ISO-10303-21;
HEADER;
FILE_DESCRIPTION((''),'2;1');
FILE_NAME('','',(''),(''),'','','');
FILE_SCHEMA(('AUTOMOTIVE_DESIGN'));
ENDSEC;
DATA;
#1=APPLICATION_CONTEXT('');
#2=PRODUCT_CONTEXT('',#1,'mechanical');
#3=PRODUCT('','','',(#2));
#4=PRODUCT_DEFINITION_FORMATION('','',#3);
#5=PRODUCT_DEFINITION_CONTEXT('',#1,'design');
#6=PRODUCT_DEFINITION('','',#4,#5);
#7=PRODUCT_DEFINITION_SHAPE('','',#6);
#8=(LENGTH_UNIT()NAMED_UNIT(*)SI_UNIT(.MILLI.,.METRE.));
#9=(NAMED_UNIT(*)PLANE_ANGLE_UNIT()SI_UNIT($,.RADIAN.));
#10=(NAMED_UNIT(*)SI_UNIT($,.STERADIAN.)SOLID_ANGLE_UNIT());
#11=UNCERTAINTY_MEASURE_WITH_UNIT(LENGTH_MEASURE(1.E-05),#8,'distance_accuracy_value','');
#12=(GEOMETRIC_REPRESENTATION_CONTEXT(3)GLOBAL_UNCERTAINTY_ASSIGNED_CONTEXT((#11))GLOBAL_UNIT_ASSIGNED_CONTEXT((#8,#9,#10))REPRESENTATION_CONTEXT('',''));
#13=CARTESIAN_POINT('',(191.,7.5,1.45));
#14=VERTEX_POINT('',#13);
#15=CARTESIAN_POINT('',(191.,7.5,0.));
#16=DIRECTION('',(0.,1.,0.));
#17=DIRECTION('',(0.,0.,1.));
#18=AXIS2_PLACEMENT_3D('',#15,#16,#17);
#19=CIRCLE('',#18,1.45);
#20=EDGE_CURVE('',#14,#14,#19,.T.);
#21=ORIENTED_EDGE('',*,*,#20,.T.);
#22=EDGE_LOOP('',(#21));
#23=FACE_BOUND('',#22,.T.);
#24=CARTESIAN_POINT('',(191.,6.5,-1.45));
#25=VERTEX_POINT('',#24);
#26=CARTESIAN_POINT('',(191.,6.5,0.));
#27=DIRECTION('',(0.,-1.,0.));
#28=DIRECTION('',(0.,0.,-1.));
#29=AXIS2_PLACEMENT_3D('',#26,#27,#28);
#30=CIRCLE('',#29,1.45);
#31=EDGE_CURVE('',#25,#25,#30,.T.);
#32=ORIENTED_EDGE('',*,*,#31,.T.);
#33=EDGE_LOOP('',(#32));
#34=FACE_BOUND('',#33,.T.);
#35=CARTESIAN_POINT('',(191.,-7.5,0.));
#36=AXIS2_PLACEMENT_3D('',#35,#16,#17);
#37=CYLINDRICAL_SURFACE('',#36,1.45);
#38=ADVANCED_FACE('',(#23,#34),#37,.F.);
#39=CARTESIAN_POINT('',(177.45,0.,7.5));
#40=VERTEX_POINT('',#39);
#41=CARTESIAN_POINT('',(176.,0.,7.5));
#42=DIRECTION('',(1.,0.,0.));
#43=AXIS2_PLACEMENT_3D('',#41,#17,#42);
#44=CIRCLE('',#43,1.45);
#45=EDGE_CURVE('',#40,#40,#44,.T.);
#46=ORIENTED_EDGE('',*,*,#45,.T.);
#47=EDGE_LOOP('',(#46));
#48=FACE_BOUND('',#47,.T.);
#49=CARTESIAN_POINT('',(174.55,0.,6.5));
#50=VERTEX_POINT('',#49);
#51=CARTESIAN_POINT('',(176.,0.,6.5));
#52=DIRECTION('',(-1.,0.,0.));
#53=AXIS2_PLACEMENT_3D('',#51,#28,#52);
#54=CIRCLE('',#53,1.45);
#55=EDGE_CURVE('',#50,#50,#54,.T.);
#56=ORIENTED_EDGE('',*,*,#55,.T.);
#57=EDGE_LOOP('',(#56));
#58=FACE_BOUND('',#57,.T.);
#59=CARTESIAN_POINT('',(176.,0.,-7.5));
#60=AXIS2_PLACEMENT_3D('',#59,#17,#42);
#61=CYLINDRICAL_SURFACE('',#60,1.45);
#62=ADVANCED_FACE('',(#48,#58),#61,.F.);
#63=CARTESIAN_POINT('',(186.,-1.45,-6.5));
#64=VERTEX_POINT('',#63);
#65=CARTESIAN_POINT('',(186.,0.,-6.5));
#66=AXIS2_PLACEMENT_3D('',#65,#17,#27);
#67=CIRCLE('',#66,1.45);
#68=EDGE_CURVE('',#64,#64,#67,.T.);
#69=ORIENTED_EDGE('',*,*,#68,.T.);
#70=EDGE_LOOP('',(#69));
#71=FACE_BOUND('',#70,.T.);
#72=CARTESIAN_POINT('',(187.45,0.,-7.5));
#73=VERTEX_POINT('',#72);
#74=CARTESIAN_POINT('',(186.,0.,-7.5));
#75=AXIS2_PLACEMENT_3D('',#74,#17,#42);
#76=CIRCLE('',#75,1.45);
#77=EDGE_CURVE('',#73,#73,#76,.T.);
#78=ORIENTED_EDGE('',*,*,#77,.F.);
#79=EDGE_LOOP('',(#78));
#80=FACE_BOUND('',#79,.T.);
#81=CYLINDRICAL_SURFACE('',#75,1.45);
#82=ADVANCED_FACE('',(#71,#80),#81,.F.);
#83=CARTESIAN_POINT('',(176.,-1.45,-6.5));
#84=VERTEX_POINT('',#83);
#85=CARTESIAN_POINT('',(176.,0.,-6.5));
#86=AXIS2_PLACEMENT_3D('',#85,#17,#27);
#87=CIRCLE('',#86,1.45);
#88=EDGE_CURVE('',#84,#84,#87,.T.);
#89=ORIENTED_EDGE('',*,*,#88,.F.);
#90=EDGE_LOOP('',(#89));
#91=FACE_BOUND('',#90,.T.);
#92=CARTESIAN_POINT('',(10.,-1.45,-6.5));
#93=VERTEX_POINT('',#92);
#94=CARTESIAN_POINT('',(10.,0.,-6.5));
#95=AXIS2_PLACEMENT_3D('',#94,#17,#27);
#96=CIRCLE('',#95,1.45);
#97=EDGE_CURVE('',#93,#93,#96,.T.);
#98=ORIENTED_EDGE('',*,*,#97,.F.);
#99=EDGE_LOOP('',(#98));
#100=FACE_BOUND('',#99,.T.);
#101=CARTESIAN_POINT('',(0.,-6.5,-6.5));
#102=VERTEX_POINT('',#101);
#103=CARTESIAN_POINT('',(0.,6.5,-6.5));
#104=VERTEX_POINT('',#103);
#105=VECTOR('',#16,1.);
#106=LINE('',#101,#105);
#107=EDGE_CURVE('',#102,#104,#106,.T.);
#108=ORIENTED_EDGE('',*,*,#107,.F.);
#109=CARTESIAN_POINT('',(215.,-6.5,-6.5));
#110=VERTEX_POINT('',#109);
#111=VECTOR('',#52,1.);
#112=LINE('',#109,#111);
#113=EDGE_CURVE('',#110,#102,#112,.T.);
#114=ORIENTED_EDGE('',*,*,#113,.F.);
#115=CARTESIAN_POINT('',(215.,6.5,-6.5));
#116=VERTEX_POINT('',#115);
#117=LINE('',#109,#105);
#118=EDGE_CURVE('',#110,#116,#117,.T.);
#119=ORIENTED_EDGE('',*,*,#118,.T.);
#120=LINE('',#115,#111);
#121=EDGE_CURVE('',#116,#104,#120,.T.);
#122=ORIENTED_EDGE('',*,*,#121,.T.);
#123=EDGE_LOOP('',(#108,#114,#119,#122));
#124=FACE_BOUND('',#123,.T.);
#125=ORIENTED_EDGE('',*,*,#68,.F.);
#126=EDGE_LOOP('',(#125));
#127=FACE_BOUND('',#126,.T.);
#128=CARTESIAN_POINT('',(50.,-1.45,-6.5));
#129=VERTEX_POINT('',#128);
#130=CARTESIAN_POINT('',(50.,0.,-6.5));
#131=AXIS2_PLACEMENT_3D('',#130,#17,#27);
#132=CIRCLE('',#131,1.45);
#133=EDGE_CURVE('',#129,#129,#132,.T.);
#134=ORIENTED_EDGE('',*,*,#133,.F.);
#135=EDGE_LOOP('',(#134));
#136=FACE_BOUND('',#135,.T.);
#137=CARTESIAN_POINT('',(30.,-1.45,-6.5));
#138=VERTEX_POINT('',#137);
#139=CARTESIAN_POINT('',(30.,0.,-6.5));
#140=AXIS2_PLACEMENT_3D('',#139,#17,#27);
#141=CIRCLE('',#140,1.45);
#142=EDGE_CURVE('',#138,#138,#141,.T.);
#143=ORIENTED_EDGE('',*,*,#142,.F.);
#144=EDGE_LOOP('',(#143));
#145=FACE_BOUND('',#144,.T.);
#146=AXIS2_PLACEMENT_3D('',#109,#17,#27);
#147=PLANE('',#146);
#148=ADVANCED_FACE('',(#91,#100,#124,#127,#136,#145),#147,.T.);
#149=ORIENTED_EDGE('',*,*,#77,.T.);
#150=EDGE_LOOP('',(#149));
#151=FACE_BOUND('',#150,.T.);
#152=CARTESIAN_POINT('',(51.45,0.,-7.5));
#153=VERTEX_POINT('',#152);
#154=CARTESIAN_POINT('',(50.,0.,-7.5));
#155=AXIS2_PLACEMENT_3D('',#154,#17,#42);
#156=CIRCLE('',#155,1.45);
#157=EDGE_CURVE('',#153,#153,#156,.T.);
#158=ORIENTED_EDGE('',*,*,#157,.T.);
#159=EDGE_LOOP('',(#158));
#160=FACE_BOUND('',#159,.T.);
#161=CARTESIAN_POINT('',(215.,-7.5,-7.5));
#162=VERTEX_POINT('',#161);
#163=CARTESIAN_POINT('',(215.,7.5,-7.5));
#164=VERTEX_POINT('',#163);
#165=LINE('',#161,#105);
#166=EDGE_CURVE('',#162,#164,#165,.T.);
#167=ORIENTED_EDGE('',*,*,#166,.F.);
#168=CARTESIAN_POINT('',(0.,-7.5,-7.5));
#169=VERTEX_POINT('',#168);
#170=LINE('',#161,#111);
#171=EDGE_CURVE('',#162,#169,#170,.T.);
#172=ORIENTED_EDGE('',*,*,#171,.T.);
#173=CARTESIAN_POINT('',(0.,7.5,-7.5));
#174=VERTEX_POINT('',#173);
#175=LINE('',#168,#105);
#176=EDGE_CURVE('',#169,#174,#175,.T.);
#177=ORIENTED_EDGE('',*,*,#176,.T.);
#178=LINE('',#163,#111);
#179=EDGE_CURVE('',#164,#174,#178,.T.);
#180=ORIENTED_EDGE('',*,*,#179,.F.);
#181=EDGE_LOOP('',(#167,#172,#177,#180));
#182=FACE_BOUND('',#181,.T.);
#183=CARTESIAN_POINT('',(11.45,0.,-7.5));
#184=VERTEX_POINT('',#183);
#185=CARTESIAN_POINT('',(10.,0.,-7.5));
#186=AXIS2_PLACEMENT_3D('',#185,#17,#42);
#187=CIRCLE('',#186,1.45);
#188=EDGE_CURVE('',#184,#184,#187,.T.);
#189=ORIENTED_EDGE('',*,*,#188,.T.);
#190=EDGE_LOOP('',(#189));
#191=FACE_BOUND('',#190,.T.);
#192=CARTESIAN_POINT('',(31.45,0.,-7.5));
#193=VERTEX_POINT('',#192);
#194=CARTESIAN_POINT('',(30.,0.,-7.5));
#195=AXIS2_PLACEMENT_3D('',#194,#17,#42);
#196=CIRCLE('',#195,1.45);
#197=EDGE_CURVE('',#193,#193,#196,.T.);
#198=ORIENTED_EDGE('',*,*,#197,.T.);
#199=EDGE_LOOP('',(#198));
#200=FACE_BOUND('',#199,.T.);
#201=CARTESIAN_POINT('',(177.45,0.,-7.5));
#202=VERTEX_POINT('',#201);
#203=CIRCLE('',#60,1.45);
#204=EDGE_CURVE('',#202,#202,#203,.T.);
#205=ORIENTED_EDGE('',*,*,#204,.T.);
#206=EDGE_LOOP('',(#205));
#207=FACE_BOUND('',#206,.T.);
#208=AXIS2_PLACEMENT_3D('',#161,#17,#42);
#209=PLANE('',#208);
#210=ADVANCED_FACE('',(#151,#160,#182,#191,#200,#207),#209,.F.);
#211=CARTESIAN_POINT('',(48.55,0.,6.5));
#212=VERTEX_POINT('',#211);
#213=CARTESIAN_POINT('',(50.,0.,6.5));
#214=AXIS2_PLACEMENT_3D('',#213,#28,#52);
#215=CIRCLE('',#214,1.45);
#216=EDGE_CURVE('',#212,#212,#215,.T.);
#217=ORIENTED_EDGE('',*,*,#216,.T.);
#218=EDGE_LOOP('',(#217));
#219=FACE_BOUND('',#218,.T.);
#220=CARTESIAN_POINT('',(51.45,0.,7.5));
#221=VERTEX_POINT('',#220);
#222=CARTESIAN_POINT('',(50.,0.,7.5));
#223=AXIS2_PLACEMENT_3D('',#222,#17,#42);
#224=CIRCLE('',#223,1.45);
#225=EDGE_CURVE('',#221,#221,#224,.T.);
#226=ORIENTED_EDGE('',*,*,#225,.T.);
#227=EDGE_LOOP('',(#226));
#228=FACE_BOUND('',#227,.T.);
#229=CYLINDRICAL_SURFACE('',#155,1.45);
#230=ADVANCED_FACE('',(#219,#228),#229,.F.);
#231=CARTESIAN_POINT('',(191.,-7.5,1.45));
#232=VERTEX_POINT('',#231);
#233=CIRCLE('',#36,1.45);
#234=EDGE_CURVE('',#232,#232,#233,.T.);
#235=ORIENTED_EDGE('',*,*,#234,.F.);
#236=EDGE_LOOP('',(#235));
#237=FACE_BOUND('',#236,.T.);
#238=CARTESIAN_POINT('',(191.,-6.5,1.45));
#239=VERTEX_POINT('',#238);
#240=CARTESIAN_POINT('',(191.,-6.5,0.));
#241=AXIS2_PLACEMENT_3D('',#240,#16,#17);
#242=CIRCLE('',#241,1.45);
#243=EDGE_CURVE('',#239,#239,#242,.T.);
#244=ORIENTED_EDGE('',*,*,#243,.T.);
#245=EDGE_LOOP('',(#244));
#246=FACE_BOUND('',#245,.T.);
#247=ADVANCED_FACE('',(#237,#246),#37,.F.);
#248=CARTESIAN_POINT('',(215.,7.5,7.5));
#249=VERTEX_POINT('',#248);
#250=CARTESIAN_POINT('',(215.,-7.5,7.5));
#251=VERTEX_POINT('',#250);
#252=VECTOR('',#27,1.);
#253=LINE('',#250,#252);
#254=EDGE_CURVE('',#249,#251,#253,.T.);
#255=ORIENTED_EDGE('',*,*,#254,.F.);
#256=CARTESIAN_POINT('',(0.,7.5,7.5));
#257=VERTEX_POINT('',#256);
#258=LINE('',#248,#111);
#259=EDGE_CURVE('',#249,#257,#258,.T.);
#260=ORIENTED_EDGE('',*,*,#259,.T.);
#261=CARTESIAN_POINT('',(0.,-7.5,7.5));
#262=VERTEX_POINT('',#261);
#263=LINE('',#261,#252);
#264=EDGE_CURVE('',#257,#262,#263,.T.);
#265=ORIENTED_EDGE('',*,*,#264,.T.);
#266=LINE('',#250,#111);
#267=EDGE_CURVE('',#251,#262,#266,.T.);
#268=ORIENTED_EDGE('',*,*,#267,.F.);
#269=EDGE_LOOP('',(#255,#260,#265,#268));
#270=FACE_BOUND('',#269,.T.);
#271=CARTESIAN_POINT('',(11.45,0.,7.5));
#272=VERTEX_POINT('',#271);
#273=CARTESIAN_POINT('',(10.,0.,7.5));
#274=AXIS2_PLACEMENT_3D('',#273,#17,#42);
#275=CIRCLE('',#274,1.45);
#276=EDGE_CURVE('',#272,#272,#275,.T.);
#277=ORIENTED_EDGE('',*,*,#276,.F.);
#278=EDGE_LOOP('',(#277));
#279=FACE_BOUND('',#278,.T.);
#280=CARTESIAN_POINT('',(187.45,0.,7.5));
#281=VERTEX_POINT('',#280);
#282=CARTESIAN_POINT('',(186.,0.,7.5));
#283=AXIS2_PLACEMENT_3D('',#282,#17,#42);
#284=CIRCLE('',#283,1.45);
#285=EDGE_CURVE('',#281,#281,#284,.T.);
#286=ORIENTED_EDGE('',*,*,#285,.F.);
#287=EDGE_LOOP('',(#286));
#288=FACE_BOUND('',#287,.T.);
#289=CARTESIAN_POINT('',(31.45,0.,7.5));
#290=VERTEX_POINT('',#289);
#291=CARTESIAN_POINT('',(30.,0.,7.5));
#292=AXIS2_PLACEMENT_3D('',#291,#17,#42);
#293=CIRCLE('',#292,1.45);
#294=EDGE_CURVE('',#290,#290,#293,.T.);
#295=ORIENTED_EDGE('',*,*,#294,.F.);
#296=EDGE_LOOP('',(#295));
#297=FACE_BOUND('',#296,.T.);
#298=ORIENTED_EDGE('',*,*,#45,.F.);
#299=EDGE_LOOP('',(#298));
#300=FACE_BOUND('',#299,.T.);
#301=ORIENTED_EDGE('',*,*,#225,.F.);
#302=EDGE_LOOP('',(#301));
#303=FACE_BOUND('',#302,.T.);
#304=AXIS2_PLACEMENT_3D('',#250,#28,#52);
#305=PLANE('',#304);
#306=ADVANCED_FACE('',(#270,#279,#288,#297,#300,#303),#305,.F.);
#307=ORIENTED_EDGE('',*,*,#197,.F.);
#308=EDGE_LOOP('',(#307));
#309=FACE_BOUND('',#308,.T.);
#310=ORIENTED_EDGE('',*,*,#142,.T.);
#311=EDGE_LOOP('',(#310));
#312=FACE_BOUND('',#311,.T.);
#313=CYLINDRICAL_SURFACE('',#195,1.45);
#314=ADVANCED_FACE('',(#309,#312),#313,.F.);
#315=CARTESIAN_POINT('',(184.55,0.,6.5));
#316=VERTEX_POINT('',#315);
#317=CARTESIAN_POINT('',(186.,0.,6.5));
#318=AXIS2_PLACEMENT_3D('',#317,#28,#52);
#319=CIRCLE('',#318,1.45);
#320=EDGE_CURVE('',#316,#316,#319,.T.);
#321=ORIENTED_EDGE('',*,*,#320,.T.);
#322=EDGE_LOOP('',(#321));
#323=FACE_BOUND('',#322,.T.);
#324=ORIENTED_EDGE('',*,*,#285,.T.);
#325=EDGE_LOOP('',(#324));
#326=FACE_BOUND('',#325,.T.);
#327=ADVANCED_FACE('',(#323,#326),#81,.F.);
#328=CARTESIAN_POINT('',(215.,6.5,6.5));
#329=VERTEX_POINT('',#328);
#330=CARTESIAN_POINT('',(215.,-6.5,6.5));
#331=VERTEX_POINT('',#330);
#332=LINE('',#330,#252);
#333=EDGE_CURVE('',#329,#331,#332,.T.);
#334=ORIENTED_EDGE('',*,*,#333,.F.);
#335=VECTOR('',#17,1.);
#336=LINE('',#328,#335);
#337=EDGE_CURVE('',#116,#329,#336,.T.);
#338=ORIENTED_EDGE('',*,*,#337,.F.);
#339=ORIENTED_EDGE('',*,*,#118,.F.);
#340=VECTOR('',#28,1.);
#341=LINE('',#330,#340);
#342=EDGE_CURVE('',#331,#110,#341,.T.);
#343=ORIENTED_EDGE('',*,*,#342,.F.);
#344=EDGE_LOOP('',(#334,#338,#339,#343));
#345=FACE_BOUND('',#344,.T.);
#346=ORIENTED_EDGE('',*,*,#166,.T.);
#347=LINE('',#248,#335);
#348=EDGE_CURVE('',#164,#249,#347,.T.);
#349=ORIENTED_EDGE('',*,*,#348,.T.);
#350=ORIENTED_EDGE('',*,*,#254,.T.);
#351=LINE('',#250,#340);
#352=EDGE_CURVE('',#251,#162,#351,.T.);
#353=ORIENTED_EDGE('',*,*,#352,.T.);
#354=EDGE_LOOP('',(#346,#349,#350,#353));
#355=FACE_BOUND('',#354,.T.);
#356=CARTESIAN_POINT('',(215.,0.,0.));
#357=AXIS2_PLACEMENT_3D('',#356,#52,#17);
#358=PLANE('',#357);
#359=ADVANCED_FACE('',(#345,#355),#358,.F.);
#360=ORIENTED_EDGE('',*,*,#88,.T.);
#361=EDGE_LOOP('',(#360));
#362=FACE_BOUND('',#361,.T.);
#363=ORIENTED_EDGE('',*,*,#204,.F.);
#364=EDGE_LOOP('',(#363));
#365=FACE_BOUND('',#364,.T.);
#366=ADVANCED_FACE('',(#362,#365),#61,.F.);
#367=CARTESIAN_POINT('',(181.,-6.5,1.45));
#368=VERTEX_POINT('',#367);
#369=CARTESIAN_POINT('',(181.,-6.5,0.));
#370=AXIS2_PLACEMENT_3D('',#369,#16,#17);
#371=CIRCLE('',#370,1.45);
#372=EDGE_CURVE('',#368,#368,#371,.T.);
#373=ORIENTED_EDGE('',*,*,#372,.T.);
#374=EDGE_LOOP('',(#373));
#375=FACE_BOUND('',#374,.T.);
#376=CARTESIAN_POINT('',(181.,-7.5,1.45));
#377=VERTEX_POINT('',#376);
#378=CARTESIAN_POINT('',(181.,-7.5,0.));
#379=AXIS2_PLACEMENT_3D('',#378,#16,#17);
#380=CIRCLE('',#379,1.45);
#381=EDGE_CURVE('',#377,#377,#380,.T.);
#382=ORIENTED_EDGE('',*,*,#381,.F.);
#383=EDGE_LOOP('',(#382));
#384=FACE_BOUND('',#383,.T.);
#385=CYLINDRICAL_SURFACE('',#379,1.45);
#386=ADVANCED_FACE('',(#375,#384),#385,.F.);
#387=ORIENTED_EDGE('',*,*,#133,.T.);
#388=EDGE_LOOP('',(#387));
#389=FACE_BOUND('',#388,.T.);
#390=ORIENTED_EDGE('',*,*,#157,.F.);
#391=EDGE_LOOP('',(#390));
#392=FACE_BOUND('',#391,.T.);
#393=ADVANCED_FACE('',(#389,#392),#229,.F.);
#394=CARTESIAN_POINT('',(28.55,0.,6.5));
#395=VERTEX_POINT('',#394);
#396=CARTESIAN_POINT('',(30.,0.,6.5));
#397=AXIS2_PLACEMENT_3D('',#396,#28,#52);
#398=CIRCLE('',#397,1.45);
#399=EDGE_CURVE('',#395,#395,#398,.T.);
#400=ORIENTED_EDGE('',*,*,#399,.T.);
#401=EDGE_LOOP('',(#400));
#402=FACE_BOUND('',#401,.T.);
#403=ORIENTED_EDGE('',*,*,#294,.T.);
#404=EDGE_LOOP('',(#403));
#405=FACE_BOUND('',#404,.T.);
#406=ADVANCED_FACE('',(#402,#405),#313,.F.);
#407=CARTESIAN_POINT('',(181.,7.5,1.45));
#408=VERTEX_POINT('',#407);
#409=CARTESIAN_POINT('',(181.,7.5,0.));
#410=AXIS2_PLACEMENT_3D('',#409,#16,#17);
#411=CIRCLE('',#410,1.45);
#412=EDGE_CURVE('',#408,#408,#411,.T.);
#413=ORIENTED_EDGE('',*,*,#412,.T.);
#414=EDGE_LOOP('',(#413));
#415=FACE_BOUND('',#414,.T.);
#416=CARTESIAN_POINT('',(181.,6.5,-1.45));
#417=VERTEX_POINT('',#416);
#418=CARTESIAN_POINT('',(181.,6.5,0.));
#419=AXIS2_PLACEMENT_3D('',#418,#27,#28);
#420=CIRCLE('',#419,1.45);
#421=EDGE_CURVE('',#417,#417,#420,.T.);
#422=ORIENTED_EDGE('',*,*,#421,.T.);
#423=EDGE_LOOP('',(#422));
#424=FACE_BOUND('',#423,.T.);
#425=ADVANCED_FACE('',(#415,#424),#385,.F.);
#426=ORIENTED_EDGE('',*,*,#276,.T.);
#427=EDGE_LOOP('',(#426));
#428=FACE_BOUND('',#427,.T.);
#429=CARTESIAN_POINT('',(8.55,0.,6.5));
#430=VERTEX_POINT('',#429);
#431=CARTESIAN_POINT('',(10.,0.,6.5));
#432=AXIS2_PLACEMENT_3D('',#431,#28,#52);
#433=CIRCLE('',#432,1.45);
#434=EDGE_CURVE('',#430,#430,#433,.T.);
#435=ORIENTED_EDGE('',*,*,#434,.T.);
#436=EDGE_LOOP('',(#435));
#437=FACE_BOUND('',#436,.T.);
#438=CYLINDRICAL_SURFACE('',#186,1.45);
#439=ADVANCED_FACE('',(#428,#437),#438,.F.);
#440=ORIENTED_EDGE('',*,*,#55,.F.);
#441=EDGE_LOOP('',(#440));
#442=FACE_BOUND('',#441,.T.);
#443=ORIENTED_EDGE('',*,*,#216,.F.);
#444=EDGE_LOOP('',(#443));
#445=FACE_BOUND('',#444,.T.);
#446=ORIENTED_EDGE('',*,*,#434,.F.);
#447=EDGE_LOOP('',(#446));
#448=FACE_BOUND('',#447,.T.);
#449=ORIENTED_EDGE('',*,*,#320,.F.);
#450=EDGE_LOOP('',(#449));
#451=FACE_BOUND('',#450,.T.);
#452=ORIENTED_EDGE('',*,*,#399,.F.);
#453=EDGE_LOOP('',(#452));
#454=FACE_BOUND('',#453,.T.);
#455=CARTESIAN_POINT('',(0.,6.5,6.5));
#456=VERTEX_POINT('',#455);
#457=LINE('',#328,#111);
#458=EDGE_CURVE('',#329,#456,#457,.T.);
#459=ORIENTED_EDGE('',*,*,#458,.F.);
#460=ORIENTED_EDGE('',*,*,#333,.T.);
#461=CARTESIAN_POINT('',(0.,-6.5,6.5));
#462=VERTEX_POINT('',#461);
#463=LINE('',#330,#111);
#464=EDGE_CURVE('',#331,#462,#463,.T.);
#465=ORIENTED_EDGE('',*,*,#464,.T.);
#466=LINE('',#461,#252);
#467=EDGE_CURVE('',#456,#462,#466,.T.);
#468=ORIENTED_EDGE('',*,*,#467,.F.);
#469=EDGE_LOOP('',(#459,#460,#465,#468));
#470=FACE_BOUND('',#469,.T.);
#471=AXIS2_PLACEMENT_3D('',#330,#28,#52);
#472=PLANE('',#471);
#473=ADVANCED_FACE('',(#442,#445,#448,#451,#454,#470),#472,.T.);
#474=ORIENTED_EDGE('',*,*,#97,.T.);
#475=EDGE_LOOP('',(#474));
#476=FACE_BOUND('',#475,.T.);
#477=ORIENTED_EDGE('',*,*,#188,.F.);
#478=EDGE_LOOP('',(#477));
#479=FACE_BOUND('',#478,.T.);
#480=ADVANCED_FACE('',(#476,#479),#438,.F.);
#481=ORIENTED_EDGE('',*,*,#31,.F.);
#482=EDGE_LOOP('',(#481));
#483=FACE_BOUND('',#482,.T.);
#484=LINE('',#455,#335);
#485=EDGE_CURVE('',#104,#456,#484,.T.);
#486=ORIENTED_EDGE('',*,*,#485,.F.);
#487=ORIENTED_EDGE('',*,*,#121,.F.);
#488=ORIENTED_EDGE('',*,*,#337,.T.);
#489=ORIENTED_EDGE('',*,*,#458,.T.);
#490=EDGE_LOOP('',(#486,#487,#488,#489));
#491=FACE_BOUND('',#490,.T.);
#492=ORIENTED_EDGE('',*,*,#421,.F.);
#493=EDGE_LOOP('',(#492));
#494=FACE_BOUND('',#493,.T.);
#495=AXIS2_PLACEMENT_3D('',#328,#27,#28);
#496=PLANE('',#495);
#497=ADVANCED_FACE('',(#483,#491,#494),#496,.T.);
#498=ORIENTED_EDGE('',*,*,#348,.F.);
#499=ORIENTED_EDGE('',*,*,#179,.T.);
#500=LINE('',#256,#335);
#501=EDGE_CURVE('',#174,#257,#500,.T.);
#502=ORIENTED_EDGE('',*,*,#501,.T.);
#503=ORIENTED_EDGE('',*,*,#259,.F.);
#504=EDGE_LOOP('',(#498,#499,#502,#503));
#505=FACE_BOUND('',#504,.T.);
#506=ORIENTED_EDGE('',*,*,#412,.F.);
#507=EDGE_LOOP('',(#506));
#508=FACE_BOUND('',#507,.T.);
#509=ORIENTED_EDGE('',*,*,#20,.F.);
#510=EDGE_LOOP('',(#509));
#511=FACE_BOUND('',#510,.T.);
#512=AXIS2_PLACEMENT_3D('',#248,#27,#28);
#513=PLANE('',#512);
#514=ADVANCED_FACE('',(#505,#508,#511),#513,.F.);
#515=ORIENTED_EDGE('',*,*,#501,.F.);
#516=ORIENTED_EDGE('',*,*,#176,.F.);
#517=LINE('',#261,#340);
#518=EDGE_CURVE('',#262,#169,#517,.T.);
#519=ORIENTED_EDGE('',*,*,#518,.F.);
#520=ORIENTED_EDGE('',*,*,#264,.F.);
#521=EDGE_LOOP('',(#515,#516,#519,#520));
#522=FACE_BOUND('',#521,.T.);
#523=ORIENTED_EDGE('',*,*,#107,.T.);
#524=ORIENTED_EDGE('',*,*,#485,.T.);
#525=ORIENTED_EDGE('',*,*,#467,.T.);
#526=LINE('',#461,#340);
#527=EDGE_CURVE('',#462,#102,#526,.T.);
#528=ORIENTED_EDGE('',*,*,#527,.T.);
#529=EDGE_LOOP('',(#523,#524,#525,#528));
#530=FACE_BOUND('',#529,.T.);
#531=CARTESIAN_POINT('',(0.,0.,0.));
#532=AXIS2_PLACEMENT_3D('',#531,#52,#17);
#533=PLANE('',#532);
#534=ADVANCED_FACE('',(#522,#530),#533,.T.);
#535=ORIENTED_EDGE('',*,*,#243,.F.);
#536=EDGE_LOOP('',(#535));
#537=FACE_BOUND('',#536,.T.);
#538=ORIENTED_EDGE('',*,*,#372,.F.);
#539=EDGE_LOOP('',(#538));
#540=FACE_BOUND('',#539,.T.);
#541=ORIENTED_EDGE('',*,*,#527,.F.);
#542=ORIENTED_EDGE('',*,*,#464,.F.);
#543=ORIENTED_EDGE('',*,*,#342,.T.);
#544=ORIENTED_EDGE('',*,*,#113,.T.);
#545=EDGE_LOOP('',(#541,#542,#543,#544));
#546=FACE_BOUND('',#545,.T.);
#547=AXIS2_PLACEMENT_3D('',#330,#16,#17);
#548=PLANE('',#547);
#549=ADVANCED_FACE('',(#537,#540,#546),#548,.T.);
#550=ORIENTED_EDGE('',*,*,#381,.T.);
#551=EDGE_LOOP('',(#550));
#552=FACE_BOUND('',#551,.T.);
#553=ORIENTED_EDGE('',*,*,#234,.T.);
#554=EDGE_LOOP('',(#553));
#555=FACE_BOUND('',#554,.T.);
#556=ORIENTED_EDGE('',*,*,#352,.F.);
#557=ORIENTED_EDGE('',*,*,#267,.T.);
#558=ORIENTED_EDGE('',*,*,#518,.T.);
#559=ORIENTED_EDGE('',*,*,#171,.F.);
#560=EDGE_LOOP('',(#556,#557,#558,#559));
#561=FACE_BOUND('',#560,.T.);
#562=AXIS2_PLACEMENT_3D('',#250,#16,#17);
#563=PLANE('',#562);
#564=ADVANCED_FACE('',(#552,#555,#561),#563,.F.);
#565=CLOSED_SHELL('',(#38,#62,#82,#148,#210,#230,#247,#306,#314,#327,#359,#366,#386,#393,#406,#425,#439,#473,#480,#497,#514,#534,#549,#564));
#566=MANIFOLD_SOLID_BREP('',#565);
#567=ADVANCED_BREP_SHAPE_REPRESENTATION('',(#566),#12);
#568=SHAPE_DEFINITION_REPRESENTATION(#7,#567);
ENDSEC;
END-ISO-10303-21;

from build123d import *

# Parameters (mm, degrees)
SKETCH_1_W          = 15
SKETCH_1_H          = 15
SKETCH_1_W_2        = 13
SKETCH_1_H_2        = 13
EXTRUDE_1_DEPTH     = 215
SKETCH_2_R          = 1.45
CUT_EXTRUDE_1_DEPTH = 216.653077882
SKETCH_3_R          = 1.45
CUT_EXTRUDE_2_DEPTH = 216.653077882


with BuildPart() as part:
    # 草图1 → 凸台-拉伸1 (new body)
    with BuildSketch(Plane(origin=(0, 0, 0), x_dir=(0, 0, -1), z_dir=(1, 0, 0))):
        Rectangle(SKETCH_1_W, SKETCH_1_H)
        Rectangle(SKETCH_1_W_2, SKETCH_1_H_2, mode=Mode.SUBTRACT)
    extrude(amount=EXTRUDE_1_DEPTH)

    # 草图2 → 切除-拉伸1 (cut, through all)
    with BuildSketch(Plane.XY.offset(7.5)):
        with Locations((50, 0)):
            Circle(SKETCH_2_R)
        with Locations((30, 0)):
            Circle(SKETCH_2_R)
        with Locations((10, 0)):
            Circle(SKETCH_2_R)
        with Locations((186, 0)):
            Circle(SKETCH_2_R)
        with Locations((176, 0)):
            Circle(SKETCH_2_R)
    extrude(amount=-CUT_EXTRUDE_1_DEPTH, mode=Mode.SUBTRACT)

    # 草图3 → 切除-拉伸2 (cut, through all)
    with BuildSketch(Plane(origin=(0, 7.5, 0), x_dir=(1, 0, 0), z_dir=(0, 1, 0))):
        with Locations(Location((191, 0, 0), (0, 0, 270))):
            Circle(SKETCH_3_R)
        with Locations(Location((181, 0, 0), (0, 0, 270))):
            Circle(SKETCH_3_R)
    extrude(amount=-CUT_EXTRUDE_2_DEPTH, mode=Mode.SUBTRACT)


solid = part.part
